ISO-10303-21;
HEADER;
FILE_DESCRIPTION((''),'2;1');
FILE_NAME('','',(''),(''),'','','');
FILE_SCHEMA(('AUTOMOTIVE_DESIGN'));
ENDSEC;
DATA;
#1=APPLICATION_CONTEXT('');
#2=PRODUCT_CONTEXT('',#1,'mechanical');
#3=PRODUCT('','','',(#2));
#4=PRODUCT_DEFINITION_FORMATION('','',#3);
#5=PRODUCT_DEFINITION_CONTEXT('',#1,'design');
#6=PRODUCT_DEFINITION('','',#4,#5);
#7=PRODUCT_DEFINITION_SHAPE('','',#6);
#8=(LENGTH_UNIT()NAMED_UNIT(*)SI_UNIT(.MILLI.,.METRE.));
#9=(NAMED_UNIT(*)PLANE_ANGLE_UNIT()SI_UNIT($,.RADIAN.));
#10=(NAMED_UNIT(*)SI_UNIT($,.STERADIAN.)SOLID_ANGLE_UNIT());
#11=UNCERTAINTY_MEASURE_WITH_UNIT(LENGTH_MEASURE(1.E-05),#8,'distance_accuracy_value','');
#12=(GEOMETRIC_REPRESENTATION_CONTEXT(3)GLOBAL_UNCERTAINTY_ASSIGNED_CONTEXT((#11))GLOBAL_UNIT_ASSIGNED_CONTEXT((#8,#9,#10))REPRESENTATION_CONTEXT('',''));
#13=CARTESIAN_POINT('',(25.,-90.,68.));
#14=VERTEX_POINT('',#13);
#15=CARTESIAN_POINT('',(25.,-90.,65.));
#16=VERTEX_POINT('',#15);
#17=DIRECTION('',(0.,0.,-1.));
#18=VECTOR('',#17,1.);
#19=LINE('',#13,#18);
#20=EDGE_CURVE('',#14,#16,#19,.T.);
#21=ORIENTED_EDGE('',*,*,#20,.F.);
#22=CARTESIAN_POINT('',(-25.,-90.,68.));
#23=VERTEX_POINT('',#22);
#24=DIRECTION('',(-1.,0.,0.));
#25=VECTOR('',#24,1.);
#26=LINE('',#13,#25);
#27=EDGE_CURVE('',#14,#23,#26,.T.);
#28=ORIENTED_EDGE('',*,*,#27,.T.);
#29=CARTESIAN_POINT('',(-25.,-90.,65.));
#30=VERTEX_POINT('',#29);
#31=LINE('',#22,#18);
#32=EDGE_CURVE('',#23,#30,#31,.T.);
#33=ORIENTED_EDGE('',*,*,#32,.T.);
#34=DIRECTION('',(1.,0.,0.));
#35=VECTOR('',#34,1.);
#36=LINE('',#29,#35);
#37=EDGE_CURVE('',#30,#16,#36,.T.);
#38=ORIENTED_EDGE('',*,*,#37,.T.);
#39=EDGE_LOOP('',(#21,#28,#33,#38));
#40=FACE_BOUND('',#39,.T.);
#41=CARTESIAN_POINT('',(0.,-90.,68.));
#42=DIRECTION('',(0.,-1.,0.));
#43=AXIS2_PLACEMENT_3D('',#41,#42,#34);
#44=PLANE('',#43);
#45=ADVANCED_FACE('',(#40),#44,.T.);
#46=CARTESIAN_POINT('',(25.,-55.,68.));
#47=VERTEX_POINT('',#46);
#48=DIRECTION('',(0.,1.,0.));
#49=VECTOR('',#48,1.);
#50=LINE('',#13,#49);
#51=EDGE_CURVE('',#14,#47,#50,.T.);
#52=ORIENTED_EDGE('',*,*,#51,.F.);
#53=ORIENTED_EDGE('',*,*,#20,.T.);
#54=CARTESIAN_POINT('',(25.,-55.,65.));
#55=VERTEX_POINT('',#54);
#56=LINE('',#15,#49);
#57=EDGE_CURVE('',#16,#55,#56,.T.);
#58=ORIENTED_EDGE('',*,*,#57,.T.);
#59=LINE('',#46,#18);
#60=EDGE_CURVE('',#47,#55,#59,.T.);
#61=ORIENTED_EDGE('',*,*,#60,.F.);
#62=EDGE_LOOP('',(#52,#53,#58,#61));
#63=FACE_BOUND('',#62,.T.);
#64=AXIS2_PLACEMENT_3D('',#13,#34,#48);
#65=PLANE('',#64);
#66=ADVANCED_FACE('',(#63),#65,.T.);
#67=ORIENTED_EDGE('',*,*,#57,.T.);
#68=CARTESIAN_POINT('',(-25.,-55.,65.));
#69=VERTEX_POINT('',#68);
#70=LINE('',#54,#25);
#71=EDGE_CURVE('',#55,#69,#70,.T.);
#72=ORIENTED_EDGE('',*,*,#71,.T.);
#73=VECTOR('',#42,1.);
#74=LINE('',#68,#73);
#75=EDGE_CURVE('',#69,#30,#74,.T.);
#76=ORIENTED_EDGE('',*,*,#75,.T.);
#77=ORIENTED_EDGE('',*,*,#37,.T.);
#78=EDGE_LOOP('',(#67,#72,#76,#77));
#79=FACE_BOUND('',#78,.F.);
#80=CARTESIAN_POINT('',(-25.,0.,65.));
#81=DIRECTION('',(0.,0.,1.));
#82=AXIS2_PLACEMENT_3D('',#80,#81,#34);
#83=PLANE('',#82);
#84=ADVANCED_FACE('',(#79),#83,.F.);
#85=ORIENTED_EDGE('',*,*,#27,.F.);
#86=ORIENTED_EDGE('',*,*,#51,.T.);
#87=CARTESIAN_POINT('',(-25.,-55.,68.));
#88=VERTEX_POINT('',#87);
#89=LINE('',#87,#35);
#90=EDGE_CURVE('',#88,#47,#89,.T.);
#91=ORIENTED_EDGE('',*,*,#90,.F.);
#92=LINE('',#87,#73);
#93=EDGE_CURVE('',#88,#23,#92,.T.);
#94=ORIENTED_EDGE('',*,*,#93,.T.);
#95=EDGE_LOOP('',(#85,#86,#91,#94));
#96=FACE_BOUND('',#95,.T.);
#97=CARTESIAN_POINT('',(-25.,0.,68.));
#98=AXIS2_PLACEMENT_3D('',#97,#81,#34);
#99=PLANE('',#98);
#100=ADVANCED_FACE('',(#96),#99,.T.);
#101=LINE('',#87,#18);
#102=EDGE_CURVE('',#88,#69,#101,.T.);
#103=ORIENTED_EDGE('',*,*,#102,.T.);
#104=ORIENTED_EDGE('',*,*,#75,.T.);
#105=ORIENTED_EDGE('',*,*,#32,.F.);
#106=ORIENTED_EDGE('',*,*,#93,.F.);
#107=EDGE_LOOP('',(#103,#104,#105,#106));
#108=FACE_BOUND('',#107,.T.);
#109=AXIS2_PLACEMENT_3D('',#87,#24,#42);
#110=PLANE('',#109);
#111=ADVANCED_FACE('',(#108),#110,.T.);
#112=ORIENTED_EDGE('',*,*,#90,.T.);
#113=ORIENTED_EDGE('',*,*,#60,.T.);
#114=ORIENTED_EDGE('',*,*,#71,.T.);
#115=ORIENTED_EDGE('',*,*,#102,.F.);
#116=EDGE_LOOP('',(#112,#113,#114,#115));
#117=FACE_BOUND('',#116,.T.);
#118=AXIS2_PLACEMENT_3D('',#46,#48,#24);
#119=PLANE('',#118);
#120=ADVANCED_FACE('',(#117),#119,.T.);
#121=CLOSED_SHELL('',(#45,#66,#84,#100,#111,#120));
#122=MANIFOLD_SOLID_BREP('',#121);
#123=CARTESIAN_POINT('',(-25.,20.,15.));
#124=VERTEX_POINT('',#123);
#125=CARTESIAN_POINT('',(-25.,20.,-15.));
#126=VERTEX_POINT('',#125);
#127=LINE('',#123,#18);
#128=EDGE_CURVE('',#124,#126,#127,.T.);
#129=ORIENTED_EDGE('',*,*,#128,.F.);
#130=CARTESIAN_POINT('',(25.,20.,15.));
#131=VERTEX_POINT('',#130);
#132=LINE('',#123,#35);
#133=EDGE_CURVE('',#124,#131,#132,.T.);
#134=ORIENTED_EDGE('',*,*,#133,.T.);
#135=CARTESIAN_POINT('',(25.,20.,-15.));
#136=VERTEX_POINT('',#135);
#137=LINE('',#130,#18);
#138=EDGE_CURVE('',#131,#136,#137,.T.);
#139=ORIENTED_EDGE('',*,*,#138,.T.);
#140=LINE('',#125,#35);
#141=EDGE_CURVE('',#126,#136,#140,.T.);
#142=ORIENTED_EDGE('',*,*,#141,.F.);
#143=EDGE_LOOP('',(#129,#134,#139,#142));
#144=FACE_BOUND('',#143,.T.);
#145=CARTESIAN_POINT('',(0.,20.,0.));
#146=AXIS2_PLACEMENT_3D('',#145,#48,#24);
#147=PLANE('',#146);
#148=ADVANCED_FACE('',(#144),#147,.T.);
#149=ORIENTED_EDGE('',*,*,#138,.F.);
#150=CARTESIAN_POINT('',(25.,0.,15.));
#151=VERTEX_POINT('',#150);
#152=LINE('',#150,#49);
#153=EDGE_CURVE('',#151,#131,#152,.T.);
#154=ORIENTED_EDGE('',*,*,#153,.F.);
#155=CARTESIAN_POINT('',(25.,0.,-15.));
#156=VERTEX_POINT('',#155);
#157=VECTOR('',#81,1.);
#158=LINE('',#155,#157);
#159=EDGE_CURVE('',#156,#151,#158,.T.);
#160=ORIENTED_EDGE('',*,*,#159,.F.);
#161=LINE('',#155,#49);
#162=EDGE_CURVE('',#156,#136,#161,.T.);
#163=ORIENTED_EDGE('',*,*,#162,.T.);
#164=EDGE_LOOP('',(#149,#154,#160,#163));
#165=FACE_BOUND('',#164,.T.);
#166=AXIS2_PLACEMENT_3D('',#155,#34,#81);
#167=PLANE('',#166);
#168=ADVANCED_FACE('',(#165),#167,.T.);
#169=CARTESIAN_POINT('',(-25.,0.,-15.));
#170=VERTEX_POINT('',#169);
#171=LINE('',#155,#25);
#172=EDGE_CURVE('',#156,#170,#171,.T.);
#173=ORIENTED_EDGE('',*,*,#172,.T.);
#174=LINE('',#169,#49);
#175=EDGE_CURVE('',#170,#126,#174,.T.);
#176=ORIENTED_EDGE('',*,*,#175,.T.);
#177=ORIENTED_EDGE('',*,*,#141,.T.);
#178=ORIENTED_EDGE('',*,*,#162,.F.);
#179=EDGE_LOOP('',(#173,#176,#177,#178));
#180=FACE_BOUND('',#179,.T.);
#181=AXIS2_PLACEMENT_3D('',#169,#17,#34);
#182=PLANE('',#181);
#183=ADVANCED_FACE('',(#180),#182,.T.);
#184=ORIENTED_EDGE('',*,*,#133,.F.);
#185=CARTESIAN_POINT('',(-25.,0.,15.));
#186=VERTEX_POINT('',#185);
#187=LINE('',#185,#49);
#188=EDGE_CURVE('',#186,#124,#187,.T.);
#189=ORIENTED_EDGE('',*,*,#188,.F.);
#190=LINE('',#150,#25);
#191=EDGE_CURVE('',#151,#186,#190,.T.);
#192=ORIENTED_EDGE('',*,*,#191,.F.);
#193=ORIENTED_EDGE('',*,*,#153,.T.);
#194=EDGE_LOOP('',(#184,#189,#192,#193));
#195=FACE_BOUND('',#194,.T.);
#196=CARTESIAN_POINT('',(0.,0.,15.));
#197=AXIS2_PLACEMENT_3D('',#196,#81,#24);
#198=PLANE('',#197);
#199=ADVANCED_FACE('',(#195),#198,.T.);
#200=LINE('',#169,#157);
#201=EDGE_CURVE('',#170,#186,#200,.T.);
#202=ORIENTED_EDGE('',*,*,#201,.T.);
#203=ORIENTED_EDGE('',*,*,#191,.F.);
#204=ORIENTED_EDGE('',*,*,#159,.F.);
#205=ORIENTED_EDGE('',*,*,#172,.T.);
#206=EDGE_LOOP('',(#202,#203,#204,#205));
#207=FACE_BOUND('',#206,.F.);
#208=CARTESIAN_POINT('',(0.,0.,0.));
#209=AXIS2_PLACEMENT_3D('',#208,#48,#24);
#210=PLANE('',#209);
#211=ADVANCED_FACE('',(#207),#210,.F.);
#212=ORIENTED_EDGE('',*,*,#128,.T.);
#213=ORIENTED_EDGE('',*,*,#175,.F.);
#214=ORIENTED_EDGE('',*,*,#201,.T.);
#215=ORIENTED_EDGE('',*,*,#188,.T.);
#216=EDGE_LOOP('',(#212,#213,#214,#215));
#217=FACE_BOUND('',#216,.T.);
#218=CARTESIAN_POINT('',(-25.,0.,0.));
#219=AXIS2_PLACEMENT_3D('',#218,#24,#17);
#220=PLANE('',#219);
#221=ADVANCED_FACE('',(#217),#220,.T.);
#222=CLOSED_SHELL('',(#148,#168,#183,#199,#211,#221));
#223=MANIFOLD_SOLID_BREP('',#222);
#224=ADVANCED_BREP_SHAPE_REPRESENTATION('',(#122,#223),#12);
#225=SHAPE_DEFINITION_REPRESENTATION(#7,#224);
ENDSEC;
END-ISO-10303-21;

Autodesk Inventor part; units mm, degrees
ref_plane "YZ Plane" through (0, 0, 0) normal (1, 0, 0) x (0, 1, 0)
ref_plane "XZ Plane" through (0, 0, 0) normal (0, 1, 0) x (-1, 0, 0)
sketch "Skizze1" plane through (0, 0, 0) normal (0, 1, 0) x (-1, 0, 0)
  line L0 (25, -15) -> (-25, -15)
  line L1 (-25, -15) -> (-25, 15)
  line L2 (-25, 15) -> (25, 15)
  line L3 (25, 15) -> (25, -15)
  line L4 (35, 0) -> (-35, 0) projected
  line L5 (0, -38.6491) -> (0, 126.8947) projected
  point P0 (0, 0)
  dimension "d0" = 50
  dimension "d1" = 30
extrude "Extrusion1" add sketch "Skizze1" along normal blind 20
ref_plane "Arbeitsebene1" through (-25, 0, 68) normal (0, 0, 1) x (1, 0, 0)
sketch "Skizze10" plane through (-25, 0, 68) normal (0, 0, 1) x (1, 0, 0)
  line L0 (50, -55) -> (0, -55)
  line L1 (0, -55) -> (0, -90)
  line L2 (0, -90) -> (50, -90)
  line L3 (50, -90) -> (50, -55)
  line L4 (0, 0) -> (50, 0) projected
  line L5 (25, -112) -> (25, 42) projected
  point P0 (25, 0)
  dimension "d44" = 50
  dimension "d45" = 35
  dimension "d46" = 55
extrude "Extrusion7" add sketch "Skizze10" against normal blind 3
sketch "Skizze11" plane through (-25, 0, 15) normal (0, 0, 1) x (1, 0, 0)
  ellipse E0 centre (25, 10) end of major axis (45, 10) minor radius 7.5
  line L0 (0, 0) -> (50, 0) projected
  line L1 (50, 0) -> (50, 20) projected
  point P0 (25, 0)
  dimension "d49" = 10
  dimension "d50" = 25
  dimension "d51" = 20
  dimension "d52" = 7.5
sketch "Skizze12" plane through (0, 0, 0) normal (1, 0, 0) x (0, 1, 0)
  line L0 (0, 15) -> (20, 15) projected
  line L1 (-55, 68) -> (-90, 68) projected
  spline S0 degree 4 poles (10, 15) (9.9748, 21.2064) (9.8777, 76.735) (3.1904, 71.0475) (-60.3346, 101.6715) (-72.933, 67.6671) (-72.5, 68) knots 0 0 0 0 0 0.382337 0.571486 1 1 1 1 1
  line L2 (-90, 68) -> (-90, 98.8668)
  line L3 (-90, 68) -> (-90, 65) projected
  line L4 (7.9908, 69.6224) -> (-7.9908, 80.6145) construction
  arc A0 (4.9597, 69.8562) -> (-6.6882, 77.8676) centre (-9.7151, 60.9936) ccw construction
  line L5 (-38.6667, 91.0844) -> (-71.5552, 78.5361) construction
  arc A1 (-42.1089, 86.8611) -> (-66.1746, 77.679) centre (-43.7525, 55.0405) ccw construction
  line L6 (10.0269, 8.386) -> (9.9731, 21.614) construction
  arc A2 (10.0019, 20.2911) -> (10.0449, 9.7091) centre (607.2373, 17.4262) ccw construction
  line L7 (-90, 68) -> (-90, 65) projected
  point P0 (0, 0)
  point P1 (0, 75.1185)
  point P2 (-55.1109, 84.8102)
  dimension "d54" = 10
  dimension "d59" = 0.409
  dimension "d60" = 0.5998
  dimension "d61" = 1.0884
  dimension "d62" = 20.884
  dimension "d63" = 69.116
  dimension "d64" = 16.8102
  dimension "d65" = 34.8891
  dimension "d66" = 17.5
  dimension "d67" = 60.1185
  dimension "d68" = 90
  dimension "d69" = 55.48
  dimension "d70" = 9.9999
  dimension "d71" = 89.767
properties part number "_3D-Druck"
